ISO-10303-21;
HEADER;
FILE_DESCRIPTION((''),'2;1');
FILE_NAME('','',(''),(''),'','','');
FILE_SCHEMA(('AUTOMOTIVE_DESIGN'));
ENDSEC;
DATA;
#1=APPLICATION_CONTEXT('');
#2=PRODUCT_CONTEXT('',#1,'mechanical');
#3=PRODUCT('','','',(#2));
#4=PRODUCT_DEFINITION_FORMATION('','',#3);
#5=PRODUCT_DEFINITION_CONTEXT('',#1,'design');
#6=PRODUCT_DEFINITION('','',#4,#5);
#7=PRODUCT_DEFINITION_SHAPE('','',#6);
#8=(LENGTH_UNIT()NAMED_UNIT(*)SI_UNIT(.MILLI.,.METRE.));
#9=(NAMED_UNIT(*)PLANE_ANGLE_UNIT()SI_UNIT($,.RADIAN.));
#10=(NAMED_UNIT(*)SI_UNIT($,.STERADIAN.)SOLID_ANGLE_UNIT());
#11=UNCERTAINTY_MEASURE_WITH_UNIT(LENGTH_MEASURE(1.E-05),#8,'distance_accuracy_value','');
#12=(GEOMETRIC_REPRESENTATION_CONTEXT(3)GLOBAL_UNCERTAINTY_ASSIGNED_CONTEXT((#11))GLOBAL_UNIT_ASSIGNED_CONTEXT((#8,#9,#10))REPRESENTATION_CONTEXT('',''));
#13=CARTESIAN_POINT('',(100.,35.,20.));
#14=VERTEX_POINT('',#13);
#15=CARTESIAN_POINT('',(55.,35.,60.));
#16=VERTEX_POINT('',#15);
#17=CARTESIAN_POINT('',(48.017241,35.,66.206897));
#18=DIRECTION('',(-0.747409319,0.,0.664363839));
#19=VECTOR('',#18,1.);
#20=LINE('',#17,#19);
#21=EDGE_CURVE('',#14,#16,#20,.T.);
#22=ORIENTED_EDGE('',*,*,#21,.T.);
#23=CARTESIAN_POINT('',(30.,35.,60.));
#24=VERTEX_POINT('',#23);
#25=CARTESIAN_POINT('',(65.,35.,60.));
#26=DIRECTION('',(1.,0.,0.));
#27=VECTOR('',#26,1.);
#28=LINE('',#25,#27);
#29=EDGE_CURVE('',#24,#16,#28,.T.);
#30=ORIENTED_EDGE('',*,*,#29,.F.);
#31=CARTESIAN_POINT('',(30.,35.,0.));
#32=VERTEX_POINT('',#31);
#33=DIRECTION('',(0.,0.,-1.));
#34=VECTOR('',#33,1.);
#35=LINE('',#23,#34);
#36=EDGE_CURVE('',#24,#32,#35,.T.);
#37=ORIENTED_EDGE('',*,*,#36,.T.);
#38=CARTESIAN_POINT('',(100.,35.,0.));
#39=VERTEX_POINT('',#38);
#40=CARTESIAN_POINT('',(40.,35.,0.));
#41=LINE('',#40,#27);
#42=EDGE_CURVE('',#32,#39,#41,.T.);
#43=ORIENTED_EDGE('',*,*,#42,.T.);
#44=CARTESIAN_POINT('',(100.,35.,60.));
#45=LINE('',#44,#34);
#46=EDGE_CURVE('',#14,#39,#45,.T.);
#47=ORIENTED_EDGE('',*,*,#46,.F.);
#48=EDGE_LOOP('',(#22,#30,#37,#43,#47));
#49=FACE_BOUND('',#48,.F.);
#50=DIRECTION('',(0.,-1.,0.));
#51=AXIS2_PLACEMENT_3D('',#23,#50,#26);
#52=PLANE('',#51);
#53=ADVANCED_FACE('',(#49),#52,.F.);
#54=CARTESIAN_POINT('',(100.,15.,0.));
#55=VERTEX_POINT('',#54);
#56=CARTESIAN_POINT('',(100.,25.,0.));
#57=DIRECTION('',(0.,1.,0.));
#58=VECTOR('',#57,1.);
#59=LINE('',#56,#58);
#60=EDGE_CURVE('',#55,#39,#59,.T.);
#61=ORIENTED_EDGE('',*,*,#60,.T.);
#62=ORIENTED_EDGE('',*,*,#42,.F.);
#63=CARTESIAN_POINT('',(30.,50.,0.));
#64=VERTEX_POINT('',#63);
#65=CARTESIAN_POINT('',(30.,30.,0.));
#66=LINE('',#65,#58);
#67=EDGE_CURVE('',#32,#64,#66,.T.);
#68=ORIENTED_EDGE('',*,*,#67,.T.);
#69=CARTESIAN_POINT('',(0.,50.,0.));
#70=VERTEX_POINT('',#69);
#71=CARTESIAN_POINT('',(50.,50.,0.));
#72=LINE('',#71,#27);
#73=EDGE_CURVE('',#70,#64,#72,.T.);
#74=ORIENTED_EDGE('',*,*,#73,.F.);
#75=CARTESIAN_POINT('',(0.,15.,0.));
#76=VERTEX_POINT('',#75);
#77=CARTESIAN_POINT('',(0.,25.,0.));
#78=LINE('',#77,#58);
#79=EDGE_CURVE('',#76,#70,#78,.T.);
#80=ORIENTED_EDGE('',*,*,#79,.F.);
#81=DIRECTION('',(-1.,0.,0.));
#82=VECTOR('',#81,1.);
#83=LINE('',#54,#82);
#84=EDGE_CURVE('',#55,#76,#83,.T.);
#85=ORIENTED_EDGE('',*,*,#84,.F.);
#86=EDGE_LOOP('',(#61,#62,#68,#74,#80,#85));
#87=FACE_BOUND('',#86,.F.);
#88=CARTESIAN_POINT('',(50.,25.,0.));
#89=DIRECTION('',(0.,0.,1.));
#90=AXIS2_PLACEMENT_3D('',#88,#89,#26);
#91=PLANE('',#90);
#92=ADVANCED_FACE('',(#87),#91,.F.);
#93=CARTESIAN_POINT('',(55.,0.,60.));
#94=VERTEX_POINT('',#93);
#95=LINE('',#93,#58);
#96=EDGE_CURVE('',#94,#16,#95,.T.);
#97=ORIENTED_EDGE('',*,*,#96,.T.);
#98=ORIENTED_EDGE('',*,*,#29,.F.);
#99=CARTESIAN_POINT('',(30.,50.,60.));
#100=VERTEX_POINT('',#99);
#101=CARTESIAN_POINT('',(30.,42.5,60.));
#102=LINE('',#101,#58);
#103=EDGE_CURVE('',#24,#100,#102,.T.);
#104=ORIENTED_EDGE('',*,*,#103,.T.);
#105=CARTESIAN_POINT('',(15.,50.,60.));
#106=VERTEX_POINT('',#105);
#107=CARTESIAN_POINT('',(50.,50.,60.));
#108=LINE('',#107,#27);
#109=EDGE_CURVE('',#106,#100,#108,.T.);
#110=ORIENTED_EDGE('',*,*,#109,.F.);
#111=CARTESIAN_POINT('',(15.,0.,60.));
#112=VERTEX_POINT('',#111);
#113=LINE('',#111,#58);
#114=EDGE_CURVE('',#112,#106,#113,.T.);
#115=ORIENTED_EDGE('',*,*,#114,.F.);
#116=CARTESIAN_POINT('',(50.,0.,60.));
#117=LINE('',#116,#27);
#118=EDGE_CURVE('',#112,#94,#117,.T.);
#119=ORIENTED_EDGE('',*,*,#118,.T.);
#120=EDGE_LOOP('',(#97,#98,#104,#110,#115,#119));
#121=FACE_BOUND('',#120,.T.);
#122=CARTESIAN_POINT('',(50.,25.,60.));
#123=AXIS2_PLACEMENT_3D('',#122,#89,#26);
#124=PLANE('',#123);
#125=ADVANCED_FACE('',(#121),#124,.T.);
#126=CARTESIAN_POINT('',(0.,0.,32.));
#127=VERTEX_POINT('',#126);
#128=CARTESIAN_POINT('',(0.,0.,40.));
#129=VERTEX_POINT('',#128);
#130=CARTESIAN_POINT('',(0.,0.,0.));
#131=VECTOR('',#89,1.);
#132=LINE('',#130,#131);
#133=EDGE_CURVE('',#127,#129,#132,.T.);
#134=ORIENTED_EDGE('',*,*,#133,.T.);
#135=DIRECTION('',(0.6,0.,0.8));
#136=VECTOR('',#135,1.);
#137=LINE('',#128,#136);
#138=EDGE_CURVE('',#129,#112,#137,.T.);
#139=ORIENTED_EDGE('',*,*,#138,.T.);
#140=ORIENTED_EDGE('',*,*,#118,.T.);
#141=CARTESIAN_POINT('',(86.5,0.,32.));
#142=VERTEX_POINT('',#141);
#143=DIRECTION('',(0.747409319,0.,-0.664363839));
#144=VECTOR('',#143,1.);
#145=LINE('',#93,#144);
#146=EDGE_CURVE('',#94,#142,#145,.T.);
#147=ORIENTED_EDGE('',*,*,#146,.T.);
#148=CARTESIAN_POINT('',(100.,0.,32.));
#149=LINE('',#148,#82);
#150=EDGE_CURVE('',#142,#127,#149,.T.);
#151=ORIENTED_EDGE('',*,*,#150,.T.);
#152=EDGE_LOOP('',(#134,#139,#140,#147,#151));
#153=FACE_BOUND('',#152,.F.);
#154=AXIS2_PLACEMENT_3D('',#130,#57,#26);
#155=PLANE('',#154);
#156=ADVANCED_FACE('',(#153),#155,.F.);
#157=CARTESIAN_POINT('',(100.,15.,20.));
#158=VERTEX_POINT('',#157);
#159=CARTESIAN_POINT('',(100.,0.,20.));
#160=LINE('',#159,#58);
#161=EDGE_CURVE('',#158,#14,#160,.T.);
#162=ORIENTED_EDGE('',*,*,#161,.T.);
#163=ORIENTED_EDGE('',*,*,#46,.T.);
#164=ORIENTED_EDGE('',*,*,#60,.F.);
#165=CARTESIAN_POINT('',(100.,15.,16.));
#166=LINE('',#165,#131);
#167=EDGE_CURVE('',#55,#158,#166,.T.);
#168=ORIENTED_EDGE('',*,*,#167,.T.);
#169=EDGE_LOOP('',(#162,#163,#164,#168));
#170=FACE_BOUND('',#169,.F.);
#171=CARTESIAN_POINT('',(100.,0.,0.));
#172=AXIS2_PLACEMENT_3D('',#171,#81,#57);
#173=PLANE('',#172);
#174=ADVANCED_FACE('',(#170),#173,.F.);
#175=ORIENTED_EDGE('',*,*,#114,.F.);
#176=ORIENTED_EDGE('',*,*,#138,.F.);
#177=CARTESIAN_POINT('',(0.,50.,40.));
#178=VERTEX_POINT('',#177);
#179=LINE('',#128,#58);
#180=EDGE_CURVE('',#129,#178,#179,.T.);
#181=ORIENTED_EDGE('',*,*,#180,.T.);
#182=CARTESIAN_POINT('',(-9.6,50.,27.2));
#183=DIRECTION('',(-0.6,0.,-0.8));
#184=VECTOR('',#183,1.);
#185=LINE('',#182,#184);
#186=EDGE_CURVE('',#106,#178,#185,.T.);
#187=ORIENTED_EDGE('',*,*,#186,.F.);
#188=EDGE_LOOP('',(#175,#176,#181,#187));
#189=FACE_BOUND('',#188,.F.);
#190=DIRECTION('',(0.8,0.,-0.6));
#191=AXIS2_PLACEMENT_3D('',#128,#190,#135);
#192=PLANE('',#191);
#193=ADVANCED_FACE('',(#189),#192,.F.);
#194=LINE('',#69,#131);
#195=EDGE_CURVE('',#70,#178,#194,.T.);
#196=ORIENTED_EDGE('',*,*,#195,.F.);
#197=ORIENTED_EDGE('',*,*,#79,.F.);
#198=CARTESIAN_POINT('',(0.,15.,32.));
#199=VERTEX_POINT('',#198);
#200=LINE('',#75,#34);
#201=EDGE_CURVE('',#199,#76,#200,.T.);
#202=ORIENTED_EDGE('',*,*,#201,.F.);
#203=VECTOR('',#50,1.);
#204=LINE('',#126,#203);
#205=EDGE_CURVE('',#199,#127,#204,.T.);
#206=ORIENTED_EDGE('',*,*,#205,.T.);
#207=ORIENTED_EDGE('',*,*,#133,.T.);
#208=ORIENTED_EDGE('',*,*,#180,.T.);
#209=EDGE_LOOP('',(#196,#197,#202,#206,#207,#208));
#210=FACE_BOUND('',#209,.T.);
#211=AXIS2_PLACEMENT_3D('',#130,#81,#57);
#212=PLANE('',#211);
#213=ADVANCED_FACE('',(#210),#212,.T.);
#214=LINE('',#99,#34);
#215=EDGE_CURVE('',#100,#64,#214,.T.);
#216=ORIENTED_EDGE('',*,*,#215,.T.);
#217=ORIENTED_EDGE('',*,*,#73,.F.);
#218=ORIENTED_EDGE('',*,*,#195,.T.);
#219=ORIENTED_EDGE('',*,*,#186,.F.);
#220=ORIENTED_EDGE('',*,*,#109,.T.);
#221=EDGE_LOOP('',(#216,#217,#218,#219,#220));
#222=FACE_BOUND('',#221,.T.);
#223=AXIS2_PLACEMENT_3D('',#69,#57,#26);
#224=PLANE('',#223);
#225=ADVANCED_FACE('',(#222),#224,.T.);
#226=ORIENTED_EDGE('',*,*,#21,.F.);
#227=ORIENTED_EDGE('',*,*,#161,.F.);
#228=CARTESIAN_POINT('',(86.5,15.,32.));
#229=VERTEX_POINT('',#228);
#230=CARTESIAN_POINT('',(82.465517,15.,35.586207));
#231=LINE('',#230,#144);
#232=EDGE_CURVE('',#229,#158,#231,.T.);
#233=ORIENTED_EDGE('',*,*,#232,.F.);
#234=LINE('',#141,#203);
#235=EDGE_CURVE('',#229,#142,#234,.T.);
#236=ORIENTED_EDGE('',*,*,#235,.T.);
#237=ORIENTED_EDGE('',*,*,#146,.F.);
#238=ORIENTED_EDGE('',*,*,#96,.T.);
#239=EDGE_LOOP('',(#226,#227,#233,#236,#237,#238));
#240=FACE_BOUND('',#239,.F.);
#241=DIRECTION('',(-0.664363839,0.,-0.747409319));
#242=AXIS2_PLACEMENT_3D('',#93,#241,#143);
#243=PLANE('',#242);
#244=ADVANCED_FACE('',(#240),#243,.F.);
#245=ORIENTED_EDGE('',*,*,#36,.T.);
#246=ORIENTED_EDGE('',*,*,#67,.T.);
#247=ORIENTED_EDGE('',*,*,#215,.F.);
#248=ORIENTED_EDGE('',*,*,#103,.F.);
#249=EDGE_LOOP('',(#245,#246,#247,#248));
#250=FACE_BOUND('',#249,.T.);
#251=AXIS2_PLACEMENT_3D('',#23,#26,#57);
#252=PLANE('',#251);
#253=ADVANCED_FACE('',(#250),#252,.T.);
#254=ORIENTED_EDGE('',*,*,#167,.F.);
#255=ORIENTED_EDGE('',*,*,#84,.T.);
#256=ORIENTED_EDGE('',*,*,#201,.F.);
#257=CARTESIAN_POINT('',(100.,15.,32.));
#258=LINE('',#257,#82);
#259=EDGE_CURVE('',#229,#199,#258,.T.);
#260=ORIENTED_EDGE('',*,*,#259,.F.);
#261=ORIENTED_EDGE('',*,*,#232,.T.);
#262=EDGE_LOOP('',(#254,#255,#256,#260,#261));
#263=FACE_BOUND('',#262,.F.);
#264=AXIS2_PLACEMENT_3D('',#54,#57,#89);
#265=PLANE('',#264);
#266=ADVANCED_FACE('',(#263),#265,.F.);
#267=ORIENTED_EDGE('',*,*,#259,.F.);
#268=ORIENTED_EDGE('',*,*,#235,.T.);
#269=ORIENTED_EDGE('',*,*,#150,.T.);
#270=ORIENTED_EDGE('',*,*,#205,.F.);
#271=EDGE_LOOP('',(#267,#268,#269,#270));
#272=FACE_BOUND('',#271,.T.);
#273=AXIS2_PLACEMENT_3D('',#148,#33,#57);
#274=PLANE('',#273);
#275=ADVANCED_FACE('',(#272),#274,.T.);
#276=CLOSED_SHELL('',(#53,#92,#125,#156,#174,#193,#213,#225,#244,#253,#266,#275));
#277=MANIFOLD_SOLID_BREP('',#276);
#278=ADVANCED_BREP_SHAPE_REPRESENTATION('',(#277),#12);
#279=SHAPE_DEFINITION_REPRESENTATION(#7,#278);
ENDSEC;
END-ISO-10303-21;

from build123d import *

# Parameters (mm, degrees)
F0_W     = 100
F0_H     = 50
F1_DEPTH = 60
F4_DEPTH = 50.001
F2_W     = 70
F2_H     = 15
F5_DEPTH = 60.001
F6_W     = 15
F6_H     = 32
F7_DEPTH = 100.001
F9_DEPTH = 50.001


with BuildPart() as f1:
    # F0 (on Top) → F1 (new body)
    with BuildSketch(Plane.XY):
        with Locations((50, 25)):
            Rectangle(F0_W, F0_H)
    extrude(amount=F1_DEPTH)

    # F3 (on face) → F4 (cut, through all)
    with BuildSketch(Plane.XZ):
        Polygon((55, 60), (100, 20), (100, 60), align=None)
    extrude(amount=-F4_DEPTH, mode=Mode.SUBTRACT)

    # F2 (on face) → F5 (cut, through all)
    with BuildSketch(Plane.XY.offset(60)):
        with Locations((65, 42.5)):
            Rectangle(F2_W, F2_H)
    extrude(amount=-F5_DEPTH, mode=Mode.SUBTRACT)

    # F6 (on face) → F7 (cut, through all)
    with BuildSketch(Plane.YZ.offset(100)):
        with Locations((7.5, 16)):
            Rectangle(F6_W, F6_H)
    extrude(amount=-F7_DEPTH, mode=Mode.SUBTRACT)

    # F8 (on face) → F9 (cut, through all)
    with BuildSketch(Plane.XZ):
        Polygon((0, 40), (15, 60), (0, 60), align=None)
    extrude(amount=-F9_DEPTH, mode=Mode.SUBTRACT)


solid = f1.part
